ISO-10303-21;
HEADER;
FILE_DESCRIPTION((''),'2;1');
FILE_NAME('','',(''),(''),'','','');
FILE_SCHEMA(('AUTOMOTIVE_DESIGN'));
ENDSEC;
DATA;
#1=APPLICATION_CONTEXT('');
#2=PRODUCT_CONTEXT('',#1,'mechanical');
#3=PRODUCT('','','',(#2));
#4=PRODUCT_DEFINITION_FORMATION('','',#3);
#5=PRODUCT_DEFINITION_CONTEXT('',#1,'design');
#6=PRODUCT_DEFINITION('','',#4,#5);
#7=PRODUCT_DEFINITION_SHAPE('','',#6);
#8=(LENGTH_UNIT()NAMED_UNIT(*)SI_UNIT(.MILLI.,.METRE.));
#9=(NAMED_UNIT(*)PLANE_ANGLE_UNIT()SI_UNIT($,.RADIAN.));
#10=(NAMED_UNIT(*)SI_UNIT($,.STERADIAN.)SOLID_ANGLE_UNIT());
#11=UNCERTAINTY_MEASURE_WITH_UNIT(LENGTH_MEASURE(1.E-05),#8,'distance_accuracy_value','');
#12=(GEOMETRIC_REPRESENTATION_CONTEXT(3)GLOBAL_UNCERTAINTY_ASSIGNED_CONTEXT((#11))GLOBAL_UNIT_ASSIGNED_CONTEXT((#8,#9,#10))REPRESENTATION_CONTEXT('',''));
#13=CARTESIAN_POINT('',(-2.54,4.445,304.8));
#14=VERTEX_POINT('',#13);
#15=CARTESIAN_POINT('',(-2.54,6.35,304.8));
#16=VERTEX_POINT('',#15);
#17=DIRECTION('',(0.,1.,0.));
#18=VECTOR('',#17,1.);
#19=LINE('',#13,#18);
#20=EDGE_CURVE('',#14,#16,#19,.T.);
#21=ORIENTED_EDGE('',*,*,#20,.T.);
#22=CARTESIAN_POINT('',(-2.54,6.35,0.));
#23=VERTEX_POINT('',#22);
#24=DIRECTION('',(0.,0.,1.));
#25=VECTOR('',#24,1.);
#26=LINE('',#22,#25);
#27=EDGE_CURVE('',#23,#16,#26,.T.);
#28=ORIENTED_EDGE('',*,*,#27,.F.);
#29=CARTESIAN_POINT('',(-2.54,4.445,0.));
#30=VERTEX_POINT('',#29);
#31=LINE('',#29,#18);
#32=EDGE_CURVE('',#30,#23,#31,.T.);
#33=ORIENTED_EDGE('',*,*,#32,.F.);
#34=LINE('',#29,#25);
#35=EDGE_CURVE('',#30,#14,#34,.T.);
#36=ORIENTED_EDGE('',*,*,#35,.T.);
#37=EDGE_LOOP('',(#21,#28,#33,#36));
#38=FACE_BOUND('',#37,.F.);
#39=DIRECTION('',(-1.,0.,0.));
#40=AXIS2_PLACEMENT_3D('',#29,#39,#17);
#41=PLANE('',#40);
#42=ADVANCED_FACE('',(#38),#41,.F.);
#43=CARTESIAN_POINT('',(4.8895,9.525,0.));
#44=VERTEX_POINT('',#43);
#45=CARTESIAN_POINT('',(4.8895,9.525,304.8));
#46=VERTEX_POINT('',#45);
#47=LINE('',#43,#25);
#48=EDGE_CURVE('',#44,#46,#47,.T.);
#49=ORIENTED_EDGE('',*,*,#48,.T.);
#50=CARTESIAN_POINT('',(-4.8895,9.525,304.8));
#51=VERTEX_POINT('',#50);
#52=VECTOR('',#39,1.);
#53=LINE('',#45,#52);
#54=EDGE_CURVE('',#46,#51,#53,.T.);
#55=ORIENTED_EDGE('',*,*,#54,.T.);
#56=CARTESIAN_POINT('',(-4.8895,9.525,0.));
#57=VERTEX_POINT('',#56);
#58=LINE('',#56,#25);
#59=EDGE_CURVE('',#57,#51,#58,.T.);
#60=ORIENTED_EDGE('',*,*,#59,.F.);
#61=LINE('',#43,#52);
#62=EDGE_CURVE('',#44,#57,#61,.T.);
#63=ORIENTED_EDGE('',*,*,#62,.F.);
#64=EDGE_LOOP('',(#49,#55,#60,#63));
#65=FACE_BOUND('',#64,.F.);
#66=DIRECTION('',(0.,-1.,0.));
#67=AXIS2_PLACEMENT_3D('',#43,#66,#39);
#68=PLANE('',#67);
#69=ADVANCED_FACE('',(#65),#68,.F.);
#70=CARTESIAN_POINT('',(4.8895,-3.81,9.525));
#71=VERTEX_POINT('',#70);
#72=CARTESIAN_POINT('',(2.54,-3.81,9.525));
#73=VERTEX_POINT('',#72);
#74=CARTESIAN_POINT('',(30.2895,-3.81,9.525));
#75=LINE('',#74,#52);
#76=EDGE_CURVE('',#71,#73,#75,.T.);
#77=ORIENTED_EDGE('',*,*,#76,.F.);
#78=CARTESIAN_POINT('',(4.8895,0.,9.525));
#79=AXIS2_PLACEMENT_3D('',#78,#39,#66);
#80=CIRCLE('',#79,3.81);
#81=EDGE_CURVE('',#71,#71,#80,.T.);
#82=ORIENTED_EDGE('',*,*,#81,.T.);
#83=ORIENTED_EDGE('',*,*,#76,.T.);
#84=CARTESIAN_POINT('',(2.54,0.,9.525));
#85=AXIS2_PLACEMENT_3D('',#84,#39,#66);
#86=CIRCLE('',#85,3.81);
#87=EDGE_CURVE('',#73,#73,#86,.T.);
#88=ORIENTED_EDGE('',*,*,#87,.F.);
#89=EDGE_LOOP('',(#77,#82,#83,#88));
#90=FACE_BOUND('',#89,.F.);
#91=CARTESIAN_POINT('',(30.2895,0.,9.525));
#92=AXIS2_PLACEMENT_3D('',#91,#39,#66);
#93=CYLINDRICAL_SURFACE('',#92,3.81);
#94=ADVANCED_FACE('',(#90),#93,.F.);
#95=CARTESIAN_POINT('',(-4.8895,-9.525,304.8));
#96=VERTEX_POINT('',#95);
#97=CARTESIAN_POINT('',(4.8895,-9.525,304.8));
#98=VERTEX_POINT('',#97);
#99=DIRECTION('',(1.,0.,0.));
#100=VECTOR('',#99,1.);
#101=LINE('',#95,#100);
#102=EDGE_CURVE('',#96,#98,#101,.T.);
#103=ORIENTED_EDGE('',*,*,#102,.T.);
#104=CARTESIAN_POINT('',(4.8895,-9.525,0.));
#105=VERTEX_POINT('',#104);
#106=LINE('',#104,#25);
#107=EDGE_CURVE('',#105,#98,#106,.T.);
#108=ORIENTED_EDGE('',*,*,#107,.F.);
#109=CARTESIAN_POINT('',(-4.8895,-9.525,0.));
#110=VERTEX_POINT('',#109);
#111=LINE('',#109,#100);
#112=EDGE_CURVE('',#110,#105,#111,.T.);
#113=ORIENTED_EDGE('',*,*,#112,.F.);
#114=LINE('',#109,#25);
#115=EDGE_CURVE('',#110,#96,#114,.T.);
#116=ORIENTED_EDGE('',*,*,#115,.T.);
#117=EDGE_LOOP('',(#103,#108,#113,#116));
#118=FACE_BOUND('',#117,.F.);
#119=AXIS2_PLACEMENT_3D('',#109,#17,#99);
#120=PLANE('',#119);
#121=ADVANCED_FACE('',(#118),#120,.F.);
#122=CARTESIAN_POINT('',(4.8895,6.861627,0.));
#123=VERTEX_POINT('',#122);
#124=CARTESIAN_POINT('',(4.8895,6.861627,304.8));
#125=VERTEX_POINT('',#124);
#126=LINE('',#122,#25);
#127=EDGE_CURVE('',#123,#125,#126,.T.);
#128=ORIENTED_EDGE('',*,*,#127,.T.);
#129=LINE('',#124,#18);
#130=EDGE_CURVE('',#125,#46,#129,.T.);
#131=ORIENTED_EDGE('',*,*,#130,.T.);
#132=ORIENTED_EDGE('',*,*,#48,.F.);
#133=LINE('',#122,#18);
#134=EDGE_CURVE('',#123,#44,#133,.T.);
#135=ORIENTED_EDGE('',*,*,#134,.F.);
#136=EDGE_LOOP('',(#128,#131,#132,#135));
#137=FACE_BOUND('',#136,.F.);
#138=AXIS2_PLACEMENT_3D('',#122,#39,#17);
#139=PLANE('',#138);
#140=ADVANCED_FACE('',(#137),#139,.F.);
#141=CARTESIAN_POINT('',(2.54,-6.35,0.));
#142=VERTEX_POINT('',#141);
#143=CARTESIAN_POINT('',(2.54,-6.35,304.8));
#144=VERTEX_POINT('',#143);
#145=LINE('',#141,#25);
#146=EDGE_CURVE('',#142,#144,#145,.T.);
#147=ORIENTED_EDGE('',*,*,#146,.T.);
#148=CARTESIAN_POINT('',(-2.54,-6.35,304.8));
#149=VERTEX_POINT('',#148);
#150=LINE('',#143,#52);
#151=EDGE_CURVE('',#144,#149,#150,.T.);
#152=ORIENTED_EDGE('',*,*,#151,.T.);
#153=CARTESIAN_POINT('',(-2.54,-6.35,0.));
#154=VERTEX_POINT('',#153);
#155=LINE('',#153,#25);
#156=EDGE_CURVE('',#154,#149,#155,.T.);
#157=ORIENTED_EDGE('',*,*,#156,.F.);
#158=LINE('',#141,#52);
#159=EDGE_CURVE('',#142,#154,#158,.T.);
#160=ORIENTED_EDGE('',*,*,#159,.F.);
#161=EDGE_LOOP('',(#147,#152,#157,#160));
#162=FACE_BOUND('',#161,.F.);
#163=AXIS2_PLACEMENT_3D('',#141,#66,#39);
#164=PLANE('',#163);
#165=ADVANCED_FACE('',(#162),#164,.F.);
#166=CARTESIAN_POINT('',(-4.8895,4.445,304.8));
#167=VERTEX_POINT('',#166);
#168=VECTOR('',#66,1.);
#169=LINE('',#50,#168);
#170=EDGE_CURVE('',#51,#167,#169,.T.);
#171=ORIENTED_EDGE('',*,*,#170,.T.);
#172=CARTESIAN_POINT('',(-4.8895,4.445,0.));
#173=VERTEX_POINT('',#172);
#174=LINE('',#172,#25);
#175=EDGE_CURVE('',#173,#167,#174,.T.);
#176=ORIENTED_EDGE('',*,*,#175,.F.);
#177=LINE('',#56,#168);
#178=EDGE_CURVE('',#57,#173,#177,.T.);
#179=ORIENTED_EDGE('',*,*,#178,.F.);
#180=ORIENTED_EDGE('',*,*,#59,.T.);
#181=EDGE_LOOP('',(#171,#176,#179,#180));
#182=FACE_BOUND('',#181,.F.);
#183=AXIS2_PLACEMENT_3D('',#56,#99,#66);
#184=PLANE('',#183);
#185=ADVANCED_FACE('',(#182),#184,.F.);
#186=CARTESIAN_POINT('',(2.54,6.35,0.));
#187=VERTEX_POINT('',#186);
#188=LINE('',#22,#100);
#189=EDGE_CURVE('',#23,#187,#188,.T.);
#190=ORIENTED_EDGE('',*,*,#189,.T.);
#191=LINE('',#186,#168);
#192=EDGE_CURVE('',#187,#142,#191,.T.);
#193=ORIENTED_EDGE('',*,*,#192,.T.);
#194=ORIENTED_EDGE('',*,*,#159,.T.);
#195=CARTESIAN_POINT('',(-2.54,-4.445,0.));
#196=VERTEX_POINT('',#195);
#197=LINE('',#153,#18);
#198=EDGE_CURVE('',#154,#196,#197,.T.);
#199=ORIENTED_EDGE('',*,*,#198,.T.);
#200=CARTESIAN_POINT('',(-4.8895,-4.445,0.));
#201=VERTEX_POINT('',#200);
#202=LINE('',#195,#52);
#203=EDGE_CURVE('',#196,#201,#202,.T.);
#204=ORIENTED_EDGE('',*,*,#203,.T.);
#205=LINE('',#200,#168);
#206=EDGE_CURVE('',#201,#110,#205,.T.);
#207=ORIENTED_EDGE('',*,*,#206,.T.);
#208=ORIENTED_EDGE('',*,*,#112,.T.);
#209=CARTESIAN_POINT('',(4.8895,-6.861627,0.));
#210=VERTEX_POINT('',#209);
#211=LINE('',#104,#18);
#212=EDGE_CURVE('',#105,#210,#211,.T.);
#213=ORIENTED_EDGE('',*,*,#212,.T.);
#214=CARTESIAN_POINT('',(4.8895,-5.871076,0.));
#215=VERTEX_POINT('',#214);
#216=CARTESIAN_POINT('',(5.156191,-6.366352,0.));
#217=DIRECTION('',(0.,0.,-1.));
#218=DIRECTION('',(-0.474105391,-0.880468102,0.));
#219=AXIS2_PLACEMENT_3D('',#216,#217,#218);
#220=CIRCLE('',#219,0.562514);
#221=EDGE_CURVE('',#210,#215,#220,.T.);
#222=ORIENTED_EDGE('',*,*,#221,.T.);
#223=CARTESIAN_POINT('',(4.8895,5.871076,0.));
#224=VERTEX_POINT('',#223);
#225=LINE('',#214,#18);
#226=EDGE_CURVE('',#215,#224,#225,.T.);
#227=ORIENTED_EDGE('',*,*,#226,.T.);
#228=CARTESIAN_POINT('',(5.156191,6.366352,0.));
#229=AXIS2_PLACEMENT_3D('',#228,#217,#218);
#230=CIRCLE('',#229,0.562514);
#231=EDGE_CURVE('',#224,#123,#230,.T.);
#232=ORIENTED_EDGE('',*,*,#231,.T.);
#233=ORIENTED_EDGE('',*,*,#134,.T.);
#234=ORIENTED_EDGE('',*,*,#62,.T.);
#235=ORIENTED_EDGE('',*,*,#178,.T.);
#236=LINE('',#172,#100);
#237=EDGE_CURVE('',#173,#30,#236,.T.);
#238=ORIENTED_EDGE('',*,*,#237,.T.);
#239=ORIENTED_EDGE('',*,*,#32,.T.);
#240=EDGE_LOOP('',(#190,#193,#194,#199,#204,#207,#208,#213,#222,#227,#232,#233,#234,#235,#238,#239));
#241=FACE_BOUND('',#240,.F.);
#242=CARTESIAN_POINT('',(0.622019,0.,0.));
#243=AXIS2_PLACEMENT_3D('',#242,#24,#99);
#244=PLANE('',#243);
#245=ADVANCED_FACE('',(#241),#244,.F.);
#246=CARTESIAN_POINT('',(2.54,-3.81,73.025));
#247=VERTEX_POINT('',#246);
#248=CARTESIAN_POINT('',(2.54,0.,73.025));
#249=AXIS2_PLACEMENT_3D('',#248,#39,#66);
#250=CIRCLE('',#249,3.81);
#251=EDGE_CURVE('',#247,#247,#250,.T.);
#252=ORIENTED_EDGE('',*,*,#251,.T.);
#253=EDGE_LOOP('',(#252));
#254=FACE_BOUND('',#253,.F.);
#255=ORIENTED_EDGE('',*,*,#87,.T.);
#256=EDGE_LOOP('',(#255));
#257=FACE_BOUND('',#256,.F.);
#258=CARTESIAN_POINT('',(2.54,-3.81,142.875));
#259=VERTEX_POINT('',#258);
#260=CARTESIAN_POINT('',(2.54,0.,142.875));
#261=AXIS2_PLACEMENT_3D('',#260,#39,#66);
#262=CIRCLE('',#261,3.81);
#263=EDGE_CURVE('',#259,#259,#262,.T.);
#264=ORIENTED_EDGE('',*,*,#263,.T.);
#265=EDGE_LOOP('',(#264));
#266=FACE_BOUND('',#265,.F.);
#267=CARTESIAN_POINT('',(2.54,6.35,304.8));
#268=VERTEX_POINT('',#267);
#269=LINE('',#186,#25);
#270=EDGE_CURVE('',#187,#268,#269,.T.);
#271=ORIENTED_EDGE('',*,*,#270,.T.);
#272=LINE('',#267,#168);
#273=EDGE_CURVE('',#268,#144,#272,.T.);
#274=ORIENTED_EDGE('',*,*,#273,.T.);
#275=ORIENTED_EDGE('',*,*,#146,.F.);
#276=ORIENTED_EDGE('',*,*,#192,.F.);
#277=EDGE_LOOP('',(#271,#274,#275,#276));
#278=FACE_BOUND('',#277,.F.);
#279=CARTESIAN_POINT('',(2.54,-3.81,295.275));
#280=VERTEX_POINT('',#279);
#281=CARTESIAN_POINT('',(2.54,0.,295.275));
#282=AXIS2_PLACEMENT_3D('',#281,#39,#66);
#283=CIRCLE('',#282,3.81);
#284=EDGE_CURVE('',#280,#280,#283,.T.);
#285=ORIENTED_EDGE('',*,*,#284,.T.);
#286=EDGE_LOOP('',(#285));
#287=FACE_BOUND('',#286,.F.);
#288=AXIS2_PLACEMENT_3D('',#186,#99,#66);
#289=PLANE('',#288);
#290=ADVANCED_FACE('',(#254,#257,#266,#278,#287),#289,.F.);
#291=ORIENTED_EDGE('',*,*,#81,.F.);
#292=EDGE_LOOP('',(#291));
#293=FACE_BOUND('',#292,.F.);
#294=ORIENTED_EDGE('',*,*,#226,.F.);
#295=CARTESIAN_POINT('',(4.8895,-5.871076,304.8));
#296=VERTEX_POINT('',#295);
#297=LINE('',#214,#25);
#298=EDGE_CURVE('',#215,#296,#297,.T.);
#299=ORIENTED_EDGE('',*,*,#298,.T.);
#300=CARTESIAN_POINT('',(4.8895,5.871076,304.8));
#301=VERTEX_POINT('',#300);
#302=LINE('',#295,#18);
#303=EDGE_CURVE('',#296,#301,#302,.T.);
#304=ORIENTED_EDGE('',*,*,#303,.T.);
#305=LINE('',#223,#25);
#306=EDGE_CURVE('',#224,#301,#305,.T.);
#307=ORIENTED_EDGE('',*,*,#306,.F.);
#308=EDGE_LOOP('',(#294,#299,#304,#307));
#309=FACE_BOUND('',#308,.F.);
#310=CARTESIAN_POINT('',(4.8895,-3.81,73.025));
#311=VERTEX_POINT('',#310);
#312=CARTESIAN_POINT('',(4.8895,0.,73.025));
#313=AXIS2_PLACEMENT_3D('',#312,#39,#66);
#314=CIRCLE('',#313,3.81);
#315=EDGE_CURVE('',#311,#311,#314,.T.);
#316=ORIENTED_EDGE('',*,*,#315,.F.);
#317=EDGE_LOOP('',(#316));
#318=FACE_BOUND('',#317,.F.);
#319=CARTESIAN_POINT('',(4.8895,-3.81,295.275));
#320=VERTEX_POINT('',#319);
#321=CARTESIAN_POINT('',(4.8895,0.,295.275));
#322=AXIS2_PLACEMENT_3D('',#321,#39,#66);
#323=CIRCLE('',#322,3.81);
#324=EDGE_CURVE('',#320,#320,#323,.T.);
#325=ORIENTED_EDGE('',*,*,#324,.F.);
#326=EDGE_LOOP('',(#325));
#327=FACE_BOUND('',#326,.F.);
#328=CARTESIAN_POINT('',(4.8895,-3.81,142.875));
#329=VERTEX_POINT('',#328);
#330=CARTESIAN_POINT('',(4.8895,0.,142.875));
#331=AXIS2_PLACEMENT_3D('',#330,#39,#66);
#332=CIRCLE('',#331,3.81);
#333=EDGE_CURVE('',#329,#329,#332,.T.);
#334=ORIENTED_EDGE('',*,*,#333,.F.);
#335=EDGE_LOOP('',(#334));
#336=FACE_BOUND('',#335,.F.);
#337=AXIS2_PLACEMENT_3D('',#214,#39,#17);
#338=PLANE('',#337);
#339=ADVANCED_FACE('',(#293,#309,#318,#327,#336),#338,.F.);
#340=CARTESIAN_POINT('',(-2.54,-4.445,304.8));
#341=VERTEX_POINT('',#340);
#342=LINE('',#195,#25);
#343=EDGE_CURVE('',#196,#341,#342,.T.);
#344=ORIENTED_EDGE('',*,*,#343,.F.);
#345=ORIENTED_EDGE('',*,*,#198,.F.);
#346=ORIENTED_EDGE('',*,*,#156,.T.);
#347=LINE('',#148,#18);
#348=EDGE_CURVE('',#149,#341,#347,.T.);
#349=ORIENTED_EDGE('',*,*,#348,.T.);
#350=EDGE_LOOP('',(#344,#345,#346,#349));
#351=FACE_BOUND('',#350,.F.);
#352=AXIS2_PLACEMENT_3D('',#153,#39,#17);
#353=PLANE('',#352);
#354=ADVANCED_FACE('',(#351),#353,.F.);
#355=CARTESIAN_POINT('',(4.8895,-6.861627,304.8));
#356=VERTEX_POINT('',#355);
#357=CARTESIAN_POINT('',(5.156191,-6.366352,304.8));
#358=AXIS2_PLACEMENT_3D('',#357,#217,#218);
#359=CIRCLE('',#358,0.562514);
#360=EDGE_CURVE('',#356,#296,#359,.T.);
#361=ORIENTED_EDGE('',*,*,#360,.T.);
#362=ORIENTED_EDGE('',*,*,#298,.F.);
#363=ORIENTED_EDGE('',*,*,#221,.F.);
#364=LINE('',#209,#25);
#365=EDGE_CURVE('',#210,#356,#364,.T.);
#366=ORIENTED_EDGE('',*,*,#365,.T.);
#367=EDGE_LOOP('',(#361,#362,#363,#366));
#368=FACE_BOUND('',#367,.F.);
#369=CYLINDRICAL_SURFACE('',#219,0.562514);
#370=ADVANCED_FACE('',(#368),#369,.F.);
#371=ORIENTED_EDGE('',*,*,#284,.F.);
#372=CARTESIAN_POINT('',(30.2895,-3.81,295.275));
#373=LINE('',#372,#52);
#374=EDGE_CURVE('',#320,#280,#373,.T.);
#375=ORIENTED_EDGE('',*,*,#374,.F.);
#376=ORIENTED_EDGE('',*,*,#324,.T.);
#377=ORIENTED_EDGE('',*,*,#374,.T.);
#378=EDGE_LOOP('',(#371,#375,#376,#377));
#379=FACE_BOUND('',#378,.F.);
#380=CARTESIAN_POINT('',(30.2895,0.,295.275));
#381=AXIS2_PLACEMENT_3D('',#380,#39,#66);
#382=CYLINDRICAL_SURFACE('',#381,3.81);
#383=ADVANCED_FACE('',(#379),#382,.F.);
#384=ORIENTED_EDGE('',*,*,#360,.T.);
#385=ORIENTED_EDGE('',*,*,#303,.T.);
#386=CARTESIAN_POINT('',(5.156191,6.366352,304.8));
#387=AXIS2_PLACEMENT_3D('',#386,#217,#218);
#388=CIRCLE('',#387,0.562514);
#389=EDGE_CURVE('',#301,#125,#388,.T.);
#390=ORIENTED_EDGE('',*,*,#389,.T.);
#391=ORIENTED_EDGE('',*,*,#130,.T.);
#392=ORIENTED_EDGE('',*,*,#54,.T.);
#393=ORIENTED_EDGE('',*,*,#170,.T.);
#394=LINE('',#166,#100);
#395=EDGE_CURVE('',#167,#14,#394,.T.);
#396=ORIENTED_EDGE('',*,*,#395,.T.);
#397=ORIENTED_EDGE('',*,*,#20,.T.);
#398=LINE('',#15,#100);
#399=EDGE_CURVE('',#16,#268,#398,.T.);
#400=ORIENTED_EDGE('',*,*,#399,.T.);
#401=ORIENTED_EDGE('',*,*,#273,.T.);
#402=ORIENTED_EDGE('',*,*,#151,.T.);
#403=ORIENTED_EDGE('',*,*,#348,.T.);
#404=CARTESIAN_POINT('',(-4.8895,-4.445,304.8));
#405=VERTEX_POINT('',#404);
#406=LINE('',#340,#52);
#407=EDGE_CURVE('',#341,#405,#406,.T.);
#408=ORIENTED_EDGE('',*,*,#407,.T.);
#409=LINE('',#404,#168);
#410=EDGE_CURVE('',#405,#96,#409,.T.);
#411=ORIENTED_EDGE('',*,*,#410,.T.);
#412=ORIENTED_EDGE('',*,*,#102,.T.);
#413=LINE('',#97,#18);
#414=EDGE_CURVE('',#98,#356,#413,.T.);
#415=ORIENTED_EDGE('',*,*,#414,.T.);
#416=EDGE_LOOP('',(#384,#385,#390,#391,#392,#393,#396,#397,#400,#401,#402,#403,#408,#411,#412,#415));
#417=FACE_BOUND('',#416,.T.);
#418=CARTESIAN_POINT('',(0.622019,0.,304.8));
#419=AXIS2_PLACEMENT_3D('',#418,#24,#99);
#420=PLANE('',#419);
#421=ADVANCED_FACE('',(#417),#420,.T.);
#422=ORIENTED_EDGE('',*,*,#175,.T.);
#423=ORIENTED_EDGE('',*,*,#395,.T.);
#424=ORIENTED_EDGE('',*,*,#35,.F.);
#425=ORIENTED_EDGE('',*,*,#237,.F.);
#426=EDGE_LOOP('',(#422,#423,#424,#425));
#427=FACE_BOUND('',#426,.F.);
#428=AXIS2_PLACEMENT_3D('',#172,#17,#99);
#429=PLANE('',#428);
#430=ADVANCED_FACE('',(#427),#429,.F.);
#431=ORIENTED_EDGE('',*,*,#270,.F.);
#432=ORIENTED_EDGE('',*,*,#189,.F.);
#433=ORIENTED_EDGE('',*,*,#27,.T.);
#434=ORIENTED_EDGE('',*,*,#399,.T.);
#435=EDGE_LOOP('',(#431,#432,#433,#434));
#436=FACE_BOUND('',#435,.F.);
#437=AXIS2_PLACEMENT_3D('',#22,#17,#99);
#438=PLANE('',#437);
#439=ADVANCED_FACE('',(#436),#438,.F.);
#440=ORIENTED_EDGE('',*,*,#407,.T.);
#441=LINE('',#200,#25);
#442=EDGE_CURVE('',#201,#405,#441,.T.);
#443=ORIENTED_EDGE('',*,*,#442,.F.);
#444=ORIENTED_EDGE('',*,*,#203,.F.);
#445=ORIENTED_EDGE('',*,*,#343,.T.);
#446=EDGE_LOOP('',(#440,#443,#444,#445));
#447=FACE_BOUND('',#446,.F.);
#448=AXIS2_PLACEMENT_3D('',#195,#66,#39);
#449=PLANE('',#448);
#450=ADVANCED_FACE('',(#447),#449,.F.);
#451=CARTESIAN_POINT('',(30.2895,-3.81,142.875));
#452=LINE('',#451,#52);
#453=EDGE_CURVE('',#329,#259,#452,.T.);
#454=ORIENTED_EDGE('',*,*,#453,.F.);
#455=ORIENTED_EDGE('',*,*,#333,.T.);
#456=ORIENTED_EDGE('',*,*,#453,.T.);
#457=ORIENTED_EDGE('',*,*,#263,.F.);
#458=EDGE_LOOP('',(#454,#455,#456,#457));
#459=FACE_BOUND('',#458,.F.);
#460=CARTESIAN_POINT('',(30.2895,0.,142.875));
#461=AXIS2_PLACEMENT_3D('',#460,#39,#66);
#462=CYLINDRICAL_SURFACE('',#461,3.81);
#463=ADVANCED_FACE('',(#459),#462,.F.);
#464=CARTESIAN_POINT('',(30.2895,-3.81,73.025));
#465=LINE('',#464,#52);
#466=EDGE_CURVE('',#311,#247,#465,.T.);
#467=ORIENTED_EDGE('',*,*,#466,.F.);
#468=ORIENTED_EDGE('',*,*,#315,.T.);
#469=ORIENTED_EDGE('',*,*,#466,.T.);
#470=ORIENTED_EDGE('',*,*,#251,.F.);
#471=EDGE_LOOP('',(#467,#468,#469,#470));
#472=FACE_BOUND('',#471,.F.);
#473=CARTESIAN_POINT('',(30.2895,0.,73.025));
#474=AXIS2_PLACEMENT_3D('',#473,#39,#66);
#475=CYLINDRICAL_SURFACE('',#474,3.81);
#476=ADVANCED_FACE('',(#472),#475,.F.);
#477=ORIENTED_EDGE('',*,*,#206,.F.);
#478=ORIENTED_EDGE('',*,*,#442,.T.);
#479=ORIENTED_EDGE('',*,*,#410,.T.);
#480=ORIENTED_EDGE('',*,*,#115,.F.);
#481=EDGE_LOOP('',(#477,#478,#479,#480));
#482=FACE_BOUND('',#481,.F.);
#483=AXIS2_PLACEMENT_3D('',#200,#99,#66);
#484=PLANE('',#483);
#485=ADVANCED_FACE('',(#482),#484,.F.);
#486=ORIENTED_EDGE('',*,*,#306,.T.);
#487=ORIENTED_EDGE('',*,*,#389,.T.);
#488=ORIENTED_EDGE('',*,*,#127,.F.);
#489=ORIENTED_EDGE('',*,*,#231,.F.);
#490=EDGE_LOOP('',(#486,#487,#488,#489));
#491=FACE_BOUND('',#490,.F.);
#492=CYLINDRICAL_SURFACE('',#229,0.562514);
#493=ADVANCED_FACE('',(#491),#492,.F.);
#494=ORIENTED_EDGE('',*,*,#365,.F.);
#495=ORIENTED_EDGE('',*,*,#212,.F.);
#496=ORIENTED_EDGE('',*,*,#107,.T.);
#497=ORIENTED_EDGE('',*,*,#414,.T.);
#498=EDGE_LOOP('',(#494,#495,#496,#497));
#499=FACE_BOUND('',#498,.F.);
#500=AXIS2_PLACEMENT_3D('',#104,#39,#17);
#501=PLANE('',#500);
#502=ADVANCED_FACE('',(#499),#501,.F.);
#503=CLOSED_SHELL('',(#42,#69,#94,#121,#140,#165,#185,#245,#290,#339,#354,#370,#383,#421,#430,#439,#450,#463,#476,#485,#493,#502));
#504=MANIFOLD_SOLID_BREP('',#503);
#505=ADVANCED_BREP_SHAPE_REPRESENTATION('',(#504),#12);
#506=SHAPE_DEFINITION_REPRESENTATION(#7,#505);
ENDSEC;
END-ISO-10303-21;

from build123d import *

# Parameters (mm, degrees)
F1_DEPTH = 304.8
F3_D     = 7.62
F3_DEPTH = 25.4


with BuildPart() as f1:
    # F0 (on Top) → F1 (new body)
    with BuildSketch(Plane.XY):
        with BuildLine():
            Line((-4.8895, -9.525), (4.8895, -9.525))
            Line((4.8895, -9.525), (4.8895, -6.861627))
            ThreePointArc((4.8895, -6.861627), (4.593677, -6.366351), (4.8895, -5.871076))
            Line((4.8895, -5.871076), (4.8895, 5.871076))
            ThreePointArc((4.8895, 5.871076), (4.593677, 6.366351), (4.8895, 6.861627))
            Line((4.8895, 6.861627), (4.8895, 9.525))
            Line((4.8895, 9.525), (-4.8895, 9.525))
            Line((-4.8895, 9.525), (-4.8895, 4.445))
            Line((-4.8895, 4.445), (-2.54, 4.445))
            Line((-2.54, 4.445), (-2.54, 6.35))
            Line((-2.54, 6.35), (2.54, 6.35))
            Line((2.54, 6.35), (2.54, -6.35))
            Line((2.54, -6.35), (-2.54, -6.35))
            Line((-2.54, -6.35), (-2.54, -4.445))
            Line((-2.54, -4.445), (-4.8895, -4.445))
            Line((-4.8895, -4.445), (-4.8895, -9.525))
        make_face()
    extrude(amount=F1_DEPTH)

    # F3
    with Locations(Plane.YZ.offset(4.8895)):
        with Locations((0, 295.275), (0, 142.875), (0, 73.025), (0, 9.525)):
            Hole(F3_D / 2, depth=F3_DEPTH)


solid = f1.part
